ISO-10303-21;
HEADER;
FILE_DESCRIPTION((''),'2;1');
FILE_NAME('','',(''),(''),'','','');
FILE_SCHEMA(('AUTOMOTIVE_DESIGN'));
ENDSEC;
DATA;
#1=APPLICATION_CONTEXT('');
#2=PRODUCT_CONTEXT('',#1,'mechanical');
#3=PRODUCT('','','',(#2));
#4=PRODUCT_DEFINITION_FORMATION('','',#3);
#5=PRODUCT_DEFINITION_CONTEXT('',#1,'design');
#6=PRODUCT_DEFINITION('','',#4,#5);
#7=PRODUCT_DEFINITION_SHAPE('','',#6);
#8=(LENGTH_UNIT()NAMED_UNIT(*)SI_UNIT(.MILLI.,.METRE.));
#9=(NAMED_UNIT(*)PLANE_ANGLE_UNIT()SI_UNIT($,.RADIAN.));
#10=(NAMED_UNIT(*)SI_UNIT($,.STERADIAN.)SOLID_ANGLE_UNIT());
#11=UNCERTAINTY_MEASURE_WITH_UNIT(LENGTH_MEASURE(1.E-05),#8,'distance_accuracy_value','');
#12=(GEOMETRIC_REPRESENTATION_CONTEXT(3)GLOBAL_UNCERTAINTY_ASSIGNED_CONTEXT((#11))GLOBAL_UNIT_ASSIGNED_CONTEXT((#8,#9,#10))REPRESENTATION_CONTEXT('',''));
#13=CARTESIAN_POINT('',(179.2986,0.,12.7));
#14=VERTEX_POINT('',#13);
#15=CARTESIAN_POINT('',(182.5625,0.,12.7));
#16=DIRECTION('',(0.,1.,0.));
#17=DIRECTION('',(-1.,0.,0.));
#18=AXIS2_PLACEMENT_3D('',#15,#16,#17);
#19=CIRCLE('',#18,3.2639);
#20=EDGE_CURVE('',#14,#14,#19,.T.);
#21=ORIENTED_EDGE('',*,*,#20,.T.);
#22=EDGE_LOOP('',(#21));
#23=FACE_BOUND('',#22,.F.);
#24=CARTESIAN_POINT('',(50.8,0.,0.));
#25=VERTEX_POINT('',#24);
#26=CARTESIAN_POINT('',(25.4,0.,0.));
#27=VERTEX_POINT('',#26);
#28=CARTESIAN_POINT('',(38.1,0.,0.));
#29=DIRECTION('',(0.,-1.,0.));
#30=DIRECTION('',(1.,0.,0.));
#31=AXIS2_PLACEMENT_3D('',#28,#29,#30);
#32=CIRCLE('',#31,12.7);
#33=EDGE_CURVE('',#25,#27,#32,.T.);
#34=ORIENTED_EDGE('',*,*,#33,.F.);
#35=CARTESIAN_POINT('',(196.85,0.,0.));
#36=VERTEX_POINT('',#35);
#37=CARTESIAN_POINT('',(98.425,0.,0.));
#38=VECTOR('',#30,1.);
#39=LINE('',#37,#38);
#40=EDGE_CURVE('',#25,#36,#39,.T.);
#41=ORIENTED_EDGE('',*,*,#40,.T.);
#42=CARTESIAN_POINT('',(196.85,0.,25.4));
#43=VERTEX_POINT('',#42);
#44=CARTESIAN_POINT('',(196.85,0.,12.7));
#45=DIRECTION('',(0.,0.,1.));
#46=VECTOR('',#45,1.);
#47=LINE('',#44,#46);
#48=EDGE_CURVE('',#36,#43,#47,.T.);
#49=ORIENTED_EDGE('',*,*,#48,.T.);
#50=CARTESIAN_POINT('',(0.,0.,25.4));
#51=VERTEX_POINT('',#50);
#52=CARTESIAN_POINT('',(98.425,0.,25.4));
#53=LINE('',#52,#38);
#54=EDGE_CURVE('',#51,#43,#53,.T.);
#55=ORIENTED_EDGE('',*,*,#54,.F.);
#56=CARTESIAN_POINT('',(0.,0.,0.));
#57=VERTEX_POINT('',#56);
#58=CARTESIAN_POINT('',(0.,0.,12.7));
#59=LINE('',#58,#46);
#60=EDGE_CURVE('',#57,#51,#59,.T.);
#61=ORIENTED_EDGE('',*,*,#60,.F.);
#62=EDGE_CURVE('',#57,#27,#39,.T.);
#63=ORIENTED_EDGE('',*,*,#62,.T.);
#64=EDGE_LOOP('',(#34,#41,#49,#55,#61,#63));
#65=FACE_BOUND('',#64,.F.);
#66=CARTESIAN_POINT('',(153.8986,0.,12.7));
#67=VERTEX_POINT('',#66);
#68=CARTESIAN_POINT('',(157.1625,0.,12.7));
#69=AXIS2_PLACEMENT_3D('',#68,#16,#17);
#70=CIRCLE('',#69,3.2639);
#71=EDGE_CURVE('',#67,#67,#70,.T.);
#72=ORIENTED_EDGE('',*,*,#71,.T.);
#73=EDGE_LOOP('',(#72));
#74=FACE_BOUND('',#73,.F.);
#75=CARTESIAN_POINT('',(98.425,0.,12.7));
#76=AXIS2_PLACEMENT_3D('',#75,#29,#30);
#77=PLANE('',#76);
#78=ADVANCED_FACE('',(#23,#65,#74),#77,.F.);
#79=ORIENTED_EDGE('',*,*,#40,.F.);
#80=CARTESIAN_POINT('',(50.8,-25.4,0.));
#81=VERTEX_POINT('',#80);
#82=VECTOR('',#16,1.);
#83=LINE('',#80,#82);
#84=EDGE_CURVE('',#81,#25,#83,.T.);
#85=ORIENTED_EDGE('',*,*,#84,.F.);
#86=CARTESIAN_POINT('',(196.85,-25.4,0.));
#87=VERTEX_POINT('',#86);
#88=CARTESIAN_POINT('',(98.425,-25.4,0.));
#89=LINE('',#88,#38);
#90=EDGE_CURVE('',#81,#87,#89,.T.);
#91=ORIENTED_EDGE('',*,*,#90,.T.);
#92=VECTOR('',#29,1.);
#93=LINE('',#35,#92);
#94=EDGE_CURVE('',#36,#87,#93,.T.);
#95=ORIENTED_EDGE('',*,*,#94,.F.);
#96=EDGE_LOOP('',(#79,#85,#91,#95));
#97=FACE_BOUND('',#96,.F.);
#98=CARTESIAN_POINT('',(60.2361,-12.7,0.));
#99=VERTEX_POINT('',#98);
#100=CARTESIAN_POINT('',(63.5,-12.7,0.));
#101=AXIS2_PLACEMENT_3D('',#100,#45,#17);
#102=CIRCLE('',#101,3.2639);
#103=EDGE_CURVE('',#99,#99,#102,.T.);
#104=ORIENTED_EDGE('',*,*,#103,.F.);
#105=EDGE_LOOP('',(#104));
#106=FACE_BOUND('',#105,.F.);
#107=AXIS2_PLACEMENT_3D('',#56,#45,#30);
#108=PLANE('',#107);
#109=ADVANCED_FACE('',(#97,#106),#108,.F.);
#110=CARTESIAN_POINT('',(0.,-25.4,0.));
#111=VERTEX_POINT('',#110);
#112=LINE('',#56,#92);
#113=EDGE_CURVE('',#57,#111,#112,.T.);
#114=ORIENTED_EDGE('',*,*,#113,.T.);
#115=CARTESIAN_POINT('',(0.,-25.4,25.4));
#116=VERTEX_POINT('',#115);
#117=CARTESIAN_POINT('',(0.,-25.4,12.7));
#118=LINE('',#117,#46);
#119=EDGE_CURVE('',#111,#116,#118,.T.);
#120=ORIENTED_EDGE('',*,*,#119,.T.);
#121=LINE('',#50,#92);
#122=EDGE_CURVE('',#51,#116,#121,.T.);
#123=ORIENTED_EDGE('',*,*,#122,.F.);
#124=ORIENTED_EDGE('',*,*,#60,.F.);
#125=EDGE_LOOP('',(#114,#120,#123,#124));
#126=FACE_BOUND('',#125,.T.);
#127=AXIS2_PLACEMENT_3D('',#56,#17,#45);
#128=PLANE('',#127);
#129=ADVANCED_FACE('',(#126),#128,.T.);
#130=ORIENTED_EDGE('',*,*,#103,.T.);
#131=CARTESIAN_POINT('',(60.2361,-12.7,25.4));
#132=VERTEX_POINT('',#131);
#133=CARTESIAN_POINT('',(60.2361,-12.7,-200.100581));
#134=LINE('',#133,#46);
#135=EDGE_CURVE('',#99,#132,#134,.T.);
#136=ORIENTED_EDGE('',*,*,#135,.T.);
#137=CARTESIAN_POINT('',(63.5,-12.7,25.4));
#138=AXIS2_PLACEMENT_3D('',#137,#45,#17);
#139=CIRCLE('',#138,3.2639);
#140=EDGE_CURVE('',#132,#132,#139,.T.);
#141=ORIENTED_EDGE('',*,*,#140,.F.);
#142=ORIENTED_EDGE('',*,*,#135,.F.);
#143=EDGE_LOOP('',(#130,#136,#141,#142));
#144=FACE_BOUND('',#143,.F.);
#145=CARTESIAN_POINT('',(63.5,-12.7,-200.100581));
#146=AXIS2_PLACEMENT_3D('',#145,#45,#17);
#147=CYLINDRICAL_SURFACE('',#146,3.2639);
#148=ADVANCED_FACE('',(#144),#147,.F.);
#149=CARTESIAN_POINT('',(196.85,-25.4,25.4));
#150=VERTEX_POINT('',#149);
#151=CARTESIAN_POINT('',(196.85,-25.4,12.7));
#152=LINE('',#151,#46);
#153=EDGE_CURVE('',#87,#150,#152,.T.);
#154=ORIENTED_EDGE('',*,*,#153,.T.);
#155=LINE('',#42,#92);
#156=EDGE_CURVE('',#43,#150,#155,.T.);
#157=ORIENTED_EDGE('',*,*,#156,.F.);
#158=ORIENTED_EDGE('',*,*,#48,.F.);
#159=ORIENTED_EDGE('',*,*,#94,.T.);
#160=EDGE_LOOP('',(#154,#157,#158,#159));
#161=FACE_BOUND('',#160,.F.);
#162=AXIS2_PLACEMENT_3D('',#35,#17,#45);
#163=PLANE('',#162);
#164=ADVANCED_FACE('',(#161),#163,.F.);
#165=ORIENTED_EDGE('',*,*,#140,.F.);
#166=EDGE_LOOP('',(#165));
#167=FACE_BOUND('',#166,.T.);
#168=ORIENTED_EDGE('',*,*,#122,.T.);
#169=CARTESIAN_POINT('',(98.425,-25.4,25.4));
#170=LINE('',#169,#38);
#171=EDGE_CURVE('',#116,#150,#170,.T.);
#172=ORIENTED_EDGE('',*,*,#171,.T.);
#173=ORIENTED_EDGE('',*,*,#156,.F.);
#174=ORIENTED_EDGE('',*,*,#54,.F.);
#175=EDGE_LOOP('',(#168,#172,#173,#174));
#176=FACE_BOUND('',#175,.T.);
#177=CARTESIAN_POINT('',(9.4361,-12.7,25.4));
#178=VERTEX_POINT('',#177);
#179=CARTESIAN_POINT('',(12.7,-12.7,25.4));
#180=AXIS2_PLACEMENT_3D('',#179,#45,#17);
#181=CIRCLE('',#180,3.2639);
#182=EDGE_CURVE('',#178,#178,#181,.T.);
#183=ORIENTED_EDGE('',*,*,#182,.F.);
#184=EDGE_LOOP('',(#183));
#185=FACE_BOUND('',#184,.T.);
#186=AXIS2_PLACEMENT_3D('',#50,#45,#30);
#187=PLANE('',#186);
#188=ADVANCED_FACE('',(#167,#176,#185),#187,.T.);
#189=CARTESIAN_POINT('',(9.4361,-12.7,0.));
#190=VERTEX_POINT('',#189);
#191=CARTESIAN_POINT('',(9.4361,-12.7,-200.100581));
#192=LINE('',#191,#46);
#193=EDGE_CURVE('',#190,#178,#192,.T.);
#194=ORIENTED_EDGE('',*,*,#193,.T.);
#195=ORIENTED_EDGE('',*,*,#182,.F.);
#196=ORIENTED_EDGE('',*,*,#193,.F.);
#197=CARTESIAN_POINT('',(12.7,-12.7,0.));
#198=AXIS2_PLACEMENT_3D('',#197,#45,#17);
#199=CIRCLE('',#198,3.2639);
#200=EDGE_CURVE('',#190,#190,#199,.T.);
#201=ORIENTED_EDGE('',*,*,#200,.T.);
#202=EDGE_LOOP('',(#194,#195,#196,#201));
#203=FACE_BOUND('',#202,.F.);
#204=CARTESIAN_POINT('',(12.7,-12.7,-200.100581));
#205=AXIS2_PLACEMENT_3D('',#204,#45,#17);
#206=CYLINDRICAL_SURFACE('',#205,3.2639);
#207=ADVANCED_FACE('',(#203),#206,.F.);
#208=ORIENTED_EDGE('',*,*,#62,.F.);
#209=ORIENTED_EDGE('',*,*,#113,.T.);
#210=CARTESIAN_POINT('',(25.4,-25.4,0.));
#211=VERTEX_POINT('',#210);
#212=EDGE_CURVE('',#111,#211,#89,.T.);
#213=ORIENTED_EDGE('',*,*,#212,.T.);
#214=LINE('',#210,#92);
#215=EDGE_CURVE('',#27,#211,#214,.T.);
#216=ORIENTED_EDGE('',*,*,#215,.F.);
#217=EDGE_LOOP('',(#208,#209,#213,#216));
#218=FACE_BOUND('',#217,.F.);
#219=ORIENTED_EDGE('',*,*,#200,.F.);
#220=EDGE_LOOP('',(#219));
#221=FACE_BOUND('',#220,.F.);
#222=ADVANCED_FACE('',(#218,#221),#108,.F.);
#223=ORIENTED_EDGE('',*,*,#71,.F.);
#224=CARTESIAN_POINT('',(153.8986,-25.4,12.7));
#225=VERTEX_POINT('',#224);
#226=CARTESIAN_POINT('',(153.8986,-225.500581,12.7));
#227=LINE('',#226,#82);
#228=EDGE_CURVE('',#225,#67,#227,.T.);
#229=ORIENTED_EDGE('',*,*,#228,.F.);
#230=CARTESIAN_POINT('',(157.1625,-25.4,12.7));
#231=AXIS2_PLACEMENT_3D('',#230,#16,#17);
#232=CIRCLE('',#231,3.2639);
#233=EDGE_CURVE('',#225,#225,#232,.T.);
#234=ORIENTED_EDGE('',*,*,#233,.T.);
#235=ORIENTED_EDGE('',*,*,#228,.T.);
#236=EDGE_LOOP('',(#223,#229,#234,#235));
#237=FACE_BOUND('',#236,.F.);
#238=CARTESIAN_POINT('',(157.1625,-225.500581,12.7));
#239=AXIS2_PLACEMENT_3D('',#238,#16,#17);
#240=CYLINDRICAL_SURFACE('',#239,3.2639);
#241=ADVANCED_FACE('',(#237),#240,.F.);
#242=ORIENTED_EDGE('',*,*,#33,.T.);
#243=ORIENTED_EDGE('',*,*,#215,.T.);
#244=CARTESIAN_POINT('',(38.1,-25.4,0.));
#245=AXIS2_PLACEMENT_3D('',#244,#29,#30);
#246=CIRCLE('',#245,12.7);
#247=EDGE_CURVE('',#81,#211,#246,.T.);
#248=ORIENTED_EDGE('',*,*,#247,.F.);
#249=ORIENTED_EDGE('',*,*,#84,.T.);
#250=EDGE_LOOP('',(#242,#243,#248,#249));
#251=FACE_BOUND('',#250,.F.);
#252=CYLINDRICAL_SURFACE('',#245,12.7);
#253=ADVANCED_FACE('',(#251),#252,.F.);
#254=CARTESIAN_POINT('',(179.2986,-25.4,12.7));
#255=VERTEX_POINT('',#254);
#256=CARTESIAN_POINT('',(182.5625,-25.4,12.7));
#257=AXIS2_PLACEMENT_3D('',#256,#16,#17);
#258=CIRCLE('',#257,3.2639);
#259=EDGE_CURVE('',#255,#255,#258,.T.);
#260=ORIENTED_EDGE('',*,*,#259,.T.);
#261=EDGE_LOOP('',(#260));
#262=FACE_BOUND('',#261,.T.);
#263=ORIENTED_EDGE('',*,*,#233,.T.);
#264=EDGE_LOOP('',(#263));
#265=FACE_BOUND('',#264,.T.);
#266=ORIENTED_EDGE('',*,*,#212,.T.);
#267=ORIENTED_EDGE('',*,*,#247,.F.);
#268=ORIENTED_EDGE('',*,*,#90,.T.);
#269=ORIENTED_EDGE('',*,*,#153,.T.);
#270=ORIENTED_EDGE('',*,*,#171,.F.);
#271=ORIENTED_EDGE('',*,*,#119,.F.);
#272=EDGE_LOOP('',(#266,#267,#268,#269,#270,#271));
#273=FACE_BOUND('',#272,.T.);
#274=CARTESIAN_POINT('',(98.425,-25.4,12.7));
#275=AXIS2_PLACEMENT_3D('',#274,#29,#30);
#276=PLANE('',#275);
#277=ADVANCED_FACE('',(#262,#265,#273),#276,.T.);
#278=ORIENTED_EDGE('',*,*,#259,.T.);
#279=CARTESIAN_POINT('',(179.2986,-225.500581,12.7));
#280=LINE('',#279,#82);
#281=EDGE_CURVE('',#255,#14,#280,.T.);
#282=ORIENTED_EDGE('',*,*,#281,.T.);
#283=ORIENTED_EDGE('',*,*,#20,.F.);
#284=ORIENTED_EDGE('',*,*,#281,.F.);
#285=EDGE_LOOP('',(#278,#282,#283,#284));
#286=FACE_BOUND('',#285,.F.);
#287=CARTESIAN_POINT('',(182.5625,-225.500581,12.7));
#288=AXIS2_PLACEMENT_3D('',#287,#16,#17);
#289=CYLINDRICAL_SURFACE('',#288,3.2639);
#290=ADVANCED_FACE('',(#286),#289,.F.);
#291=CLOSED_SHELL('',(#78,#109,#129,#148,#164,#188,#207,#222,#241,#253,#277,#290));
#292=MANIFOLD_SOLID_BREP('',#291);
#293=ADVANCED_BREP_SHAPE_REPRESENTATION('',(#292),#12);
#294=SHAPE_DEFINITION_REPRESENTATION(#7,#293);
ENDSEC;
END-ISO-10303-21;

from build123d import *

# Parameters (mm, degrees)
F0_W     = 196.85
F0_H     = 25.4
F1_DEPTH = 25.4
F2_R     = 12.7
F4_DEPTH = 25.4
F5_D     = 6.5278
F7_D     = 6.5278


with BuildPart() as f1:
    # F0 (on Front) → F1 (new body)
    with BuildSketch(Plane.XZ):
        with Locations((98.425, 12.7)):
            Rectangle(F0_W, F0_H)
    extrude(amount=F1_DEPTH)

    # F2 (on face) → F4 (cut)
    with BuildSketch(Plane.XZ.offset(25.4)):
        with Locations((38.1, 0)):
            Circle(F2_R)
    extrude(amount=-F4_DEPTH, mode=Mode.SUBTRACT)

    # F5 (through all)
    with Locations(Plane.XZ.offset(25.4)):
        with Locations((157.1625, 12.7), (182.5625, 12.7)):
            Hole(F5_D / 2)

    # F7 (through all)
    with Locations(Plane(origin=(0, 0, 0), x_dir=(1, 0, 0), z_dir=(0, 0, -1))):
        with Locations((12.7, 12.7), (63.5, 12.7)):
            Hole(F7_D / 2)


solid = f1.part
